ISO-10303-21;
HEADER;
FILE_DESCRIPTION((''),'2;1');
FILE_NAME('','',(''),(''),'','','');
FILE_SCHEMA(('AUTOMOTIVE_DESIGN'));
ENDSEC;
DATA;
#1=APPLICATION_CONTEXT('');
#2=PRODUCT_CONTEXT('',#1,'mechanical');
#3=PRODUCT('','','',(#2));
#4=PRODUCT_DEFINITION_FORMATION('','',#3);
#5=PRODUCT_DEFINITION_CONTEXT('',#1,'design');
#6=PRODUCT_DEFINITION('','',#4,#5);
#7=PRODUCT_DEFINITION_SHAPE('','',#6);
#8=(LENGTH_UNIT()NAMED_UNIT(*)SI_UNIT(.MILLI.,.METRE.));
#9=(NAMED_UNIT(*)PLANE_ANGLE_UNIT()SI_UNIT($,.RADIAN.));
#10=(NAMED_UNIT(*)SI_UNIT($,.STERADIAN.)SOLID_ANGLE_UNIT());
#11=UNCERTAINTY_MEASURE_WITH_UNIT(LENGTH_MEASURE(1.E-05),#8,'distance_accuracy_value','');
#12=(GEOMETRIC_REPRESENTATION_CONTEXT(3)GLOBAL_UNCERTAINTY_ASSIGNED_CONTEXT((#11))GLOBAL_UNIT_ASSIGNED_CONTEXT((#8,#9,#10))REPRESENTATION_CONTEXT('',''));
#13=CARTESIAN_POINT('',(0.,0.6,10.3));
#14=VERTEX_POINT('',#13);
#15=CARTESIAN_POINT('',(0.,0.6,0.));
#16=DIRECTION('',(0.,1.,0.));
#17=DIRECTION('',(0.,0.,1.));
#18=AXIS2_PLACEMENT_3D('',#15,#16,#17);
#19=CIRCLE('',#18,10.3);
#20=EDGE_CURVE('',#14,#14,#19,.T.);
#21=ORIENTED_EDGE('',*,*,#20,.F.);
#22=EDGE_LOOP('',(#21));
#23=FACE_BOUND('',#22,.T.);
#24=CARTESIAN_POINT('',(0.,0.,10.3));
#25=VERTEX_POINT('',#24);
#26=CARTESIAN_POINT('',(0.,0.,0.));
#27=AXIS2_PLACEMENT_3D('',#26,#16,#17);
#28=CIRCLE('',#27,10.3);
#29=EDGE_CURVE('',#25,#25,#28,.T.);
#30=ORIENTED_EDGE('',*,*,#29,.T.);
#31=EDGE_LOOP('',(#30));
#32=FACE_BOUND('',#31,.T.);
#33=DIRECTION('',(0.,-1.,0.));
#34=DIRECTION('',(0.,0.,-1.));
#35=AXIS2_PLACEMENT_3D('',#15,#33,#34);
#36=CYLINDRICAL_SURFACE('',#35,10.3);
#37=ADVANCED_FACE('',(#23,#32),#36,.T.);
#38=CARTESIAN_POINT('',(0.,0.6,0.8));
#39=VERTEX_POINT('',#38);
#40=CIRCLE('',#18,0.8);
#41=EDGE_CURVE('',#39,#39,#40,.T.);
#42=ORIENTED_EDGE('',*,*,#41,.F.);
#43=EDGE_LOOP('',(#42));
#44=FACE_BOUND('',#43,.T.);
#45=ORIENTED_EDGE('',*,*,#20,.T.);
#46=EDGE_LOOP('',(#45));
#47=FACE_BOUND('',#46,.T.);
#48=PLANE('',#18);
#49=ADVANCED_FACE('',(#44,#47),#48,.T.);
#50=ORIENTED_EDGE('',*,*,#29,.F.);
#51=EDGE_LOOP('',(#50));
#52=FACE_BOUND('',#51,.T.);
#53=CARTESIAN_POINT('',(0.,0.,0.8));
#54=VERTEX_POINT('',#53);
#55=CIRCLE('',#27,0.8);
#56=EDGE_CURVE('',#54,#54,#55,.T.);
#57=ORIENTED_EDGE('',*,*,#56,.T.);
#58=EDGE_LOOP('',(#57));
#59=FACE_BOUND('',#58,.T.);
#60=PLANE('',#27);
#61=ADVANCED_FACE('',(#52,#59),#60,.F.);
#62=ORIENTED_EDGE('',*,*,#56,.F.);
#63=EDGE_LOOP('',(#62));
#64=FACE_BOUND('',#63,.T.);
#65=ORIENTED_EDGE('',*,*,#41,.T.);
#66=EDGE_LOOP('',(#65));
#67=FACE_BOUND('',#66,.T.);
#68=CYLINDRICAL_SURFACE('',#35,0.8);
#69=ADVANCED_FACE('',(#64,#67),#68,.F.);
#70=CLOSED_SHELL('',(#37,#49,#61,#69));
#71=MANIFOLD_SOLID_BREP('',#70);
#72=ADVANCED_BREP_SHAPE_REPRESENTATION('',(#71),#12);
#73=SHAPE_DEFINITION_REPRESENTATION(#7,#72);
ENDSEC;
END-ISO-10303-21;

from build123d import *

# Parameters (mm, degrees)
SKETCH1_R      = 10.3
SKETCH1_R_2    = 0.8
EXTRUDE1_DEPTH = 0.6


with BuildPart() as part:
    # Sketch1 → Extrude1 (new body)
    with BuildSketch(Plane(origin=(0, 0, 0), x_dir=(1, 0, 0), z_dir=(0, 1, 0))):
        with Locations(Location((0, 0, 0), (0, 0, 270))):
            Circle(SKETCH1_R)
        with Locations(Location((0, 0, 0), (0, 0, 270))):
            Circle(SKETCH1_R_2, mode=Mode.SUBTRACT)
    extrude(amount=EXTRUDE1_DEPTH)


solid = part.part
